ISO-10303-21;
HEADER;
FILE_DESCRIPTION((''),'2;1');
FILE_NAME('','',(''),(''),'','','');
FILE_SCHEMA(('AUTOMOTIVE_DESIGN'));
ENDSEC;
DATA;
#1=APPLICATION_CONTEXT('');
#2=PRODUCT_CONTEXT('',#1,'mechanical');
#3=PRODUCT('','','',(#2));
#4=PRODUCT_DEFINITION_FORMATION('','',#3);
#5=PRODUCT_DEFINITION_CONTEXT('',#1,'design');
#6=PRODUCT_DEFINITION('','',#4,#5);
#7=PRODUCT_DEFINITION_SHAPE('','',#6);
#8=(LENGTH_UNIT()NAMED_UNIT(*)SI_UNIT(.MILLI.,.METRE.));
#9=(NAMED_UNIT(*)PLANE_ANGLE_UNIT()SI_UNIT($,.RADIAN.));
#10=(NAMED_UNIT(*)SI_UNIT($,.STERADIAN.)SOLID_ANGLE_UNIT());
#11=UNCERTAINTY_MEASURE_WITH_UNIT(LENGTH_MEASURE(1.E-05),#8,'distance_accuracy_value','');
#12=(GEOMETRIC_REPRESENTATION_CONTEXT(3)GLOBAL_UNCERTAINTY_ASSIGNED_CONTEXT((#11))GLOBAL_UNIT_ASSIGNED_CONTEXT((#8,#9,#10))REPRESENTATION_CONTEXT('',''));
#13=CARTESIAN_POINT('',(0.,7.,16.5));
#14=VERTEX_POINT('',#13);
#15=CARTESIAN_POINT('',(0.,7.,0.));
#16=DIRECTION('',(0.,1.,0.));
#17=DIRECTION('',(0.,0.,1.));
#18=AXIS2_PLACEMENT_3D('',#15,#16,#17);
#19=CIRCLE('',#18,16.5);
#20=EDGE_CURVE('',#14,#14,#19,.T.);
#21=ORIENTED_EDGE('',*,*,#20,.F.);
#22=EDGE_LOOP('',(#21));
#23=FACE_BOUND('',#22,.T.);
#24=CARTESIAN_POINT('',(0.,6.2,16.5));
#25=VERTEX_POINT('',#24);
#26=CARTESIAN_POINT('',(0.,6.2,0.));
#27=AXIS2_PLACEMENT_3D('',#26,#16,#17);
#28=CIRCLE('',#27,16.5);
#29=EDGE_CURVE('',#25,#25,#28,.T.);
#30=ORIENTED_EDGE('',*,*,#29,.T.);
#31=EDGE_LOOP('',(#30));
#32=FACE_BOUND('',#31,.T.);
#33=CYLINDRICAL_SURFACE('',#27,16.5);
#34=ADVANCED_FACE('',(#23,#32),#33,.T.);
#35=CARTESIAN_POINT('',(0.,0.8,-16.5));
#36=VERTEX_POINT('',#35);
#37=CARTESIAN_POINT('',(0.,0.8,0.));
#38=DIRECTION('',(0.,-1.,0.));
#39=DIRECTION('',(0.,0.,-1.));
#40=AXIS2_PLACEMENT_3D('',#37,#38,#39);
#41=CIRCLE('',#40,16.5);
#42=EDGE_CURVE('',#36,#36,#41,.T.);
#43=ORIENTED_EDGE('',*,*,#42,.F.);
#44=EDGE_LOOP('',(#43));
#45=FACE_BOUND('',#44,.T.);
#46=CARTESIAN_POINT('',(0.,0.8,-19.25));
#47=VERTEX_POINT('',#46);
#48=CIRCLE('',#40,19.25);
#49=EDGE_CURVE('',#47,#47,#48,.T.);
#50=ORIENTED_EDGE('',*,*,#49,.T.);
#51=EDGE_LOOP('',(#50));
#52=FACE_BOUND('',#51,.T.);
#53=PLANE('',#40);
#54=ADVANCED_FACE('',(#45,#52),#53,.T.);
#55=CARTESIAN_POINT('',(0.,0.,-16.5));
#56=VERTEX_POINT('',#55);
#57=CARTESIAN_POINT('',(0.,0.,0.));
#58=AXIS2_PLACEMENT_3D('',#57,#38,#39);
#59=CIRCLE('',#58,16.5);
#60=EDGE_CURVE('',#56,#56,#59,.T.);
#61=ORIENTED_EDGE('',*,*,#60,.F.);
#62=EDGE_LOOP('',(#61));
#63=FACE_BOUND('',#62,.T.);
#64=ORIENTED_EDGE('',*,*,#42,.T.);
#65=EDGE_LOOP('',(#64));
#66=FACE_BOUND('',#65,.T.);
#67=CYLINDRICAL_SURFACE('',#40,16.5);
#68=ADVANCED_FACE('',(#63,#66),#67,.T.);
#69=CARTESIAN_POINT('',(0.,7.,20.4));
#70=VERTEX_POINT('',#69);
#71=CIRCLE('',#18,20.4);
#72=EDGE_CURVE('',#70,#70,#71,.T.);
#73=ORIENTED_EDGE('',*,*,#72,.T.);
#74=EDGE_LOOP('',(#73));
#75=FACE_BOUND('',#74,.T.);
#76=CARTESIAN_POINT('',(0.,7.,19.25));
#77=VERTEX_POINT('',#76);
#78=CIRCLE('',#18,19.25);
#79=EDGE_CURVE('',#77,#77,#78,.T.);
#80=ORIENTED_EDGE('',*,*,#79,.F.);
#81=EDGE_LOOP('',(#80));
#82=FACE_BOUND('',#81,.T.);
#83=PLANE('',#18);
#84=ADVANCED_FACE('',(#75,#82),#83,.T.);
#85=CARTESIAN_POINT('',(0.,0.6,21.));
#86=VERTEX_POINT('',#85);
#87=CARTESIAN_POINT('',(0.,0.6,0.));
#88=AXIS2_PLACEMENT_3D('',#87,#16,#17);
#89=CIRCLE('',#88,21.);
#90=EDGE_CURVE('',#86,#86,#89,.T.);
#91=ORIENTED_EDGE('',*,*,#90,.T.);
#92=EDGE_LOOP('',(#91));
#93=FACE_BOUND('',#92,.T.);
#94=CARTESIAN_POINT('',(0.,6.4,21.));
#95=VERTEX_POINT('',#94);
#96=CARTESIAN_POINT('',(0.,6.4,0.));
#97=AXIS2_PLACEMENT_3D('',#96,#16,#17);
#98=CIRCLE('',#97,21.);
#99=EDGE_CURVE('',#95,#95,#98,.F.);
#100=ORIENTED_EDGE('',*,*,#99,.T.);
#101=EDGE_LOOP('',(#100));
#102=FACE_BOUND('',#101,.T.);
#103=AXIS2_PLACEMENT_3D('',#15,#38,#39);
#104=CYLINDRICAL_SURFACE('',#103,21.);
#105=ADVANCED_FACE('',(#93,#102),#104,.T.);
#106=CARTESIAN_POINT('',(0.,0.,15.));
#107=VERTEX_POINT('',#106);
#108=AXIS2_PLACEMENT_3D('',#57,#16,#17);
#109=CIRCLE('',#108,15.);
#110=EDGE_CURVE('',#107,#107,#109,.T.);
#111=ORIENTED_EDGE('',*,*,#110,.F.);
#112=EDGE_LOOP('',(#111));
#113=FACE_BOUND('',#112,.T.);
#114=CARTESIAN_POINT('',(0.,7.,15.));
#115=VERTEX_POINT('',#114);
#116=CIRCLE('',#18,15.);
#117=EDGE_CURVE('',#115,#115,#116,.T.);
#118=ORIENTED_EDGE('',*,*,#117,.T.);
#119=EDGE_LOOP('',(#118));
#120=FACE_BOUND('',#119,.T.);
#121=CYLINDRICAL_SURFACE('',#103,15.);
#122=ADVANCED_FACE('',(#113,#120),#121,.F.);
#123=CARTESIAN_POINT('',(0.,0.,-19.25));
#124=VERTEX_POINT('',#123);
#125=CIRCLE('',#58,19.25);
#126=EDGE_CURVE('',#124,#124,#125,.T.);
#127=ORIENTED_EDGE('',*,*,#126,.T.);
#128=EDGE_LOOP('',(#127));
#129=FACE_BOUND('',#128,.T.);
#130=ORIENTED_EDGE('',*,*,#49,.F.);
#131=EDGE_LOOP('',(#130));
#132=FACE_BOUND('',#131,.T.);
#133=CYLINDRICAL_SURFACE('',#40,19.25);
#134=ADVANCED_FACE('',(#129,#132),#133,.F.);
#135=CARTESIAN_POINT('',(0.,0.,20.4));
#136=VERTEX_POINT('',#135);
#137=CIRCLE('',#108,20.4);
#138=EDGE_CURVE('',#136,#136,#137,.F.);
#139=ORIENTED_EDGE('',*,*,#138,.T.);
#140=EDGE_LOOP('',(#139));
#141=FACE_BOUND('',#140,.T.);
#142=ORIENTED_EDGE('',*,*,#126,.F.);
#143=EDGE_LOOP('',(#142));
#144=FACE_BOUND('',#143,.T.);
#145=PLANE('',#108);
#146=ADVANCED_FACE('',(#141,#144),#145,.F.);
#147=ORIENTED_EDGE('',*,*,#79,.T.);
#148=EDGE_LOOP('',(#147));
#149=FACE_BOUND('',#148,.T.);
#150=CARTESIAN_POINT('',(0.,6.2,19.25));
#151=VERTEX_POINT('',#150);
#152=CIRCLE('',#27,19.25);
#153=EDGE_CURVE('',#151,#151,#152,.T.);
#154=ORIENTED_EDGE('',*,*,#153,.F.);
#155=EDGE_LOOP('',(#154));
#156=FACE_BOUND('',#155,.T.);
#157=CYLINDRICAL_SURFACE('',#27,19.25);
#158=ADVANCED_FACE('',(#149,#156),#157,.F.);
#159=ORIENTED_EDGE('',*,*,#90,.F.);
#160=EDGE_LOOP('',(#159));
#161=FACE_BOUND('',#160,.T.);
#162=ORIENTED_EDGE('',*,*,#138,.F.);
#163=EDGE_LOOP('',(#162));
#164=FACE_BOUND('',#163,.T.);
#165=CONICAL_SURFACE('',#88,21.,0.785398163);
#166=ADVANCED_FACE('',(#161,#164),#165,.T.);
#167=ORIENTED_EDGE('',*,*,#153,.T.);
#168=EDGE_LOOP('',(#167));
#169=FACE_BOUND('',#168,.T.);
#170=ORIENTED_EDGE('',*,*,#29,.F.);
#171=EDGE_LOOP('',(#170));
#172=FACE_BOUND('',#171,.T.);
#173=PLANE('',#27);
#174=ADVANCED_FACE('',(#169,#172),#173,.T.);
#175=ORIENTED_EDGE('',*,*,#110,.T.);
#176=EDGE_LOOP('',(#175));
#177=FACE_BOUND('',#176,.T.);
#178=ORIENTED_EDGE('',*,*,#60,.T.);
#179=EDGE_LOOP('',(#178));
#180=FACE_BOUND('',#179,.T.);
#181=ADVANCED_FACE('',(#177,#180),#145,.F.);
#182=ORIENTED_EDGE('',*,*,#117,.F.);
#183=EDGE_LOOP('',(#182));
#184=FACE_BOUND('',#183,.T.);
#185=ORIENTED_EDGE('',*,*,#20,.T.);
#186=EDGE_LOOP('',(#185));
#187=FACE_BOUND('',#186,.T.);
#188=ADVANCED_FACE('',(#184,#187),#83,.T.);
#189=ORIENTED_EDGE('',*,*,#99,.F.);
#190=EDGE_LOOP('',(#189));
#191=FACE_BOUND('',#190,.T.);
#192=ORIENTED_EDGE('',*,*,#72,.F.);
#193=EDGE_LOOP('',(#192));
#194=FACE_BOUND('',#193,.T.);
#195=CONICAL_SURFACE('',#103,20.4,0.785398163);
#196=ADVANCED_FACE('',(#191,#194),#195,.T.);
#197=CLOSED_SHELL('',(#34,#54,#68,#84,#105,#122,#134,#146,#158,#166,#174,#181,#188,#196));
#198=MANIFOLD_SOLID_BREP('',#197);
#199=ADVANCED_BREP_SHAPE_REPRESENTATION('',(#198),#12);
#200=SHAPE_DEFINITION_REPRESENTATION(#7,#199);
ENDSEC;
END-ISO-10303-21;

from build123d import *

# Parameters (mm, degrees)
SKETCH_1_R          = 21
SKETCH_1_R_2        = 15
EXTRUDE_1_DEPTH     = 7
CHAMFER_1_SIZE      = 0.6
SKETCH_2_R          = 19.25
SKETCH_2_R_2        = 16.5
CUT_EXTRUDE_1_DEPTH = 0.8
CUT_EXTRUDE_START   = -0.8
SKETCH_3_R          = 19.25
SKETCH_3_R_2        = 16.5
CUT_EXTRUDE_3_DEPTH = 0.8


with BuildPart() as part:
    # 草图1 → 凸台-拉伸1 (new body)
    with BuildSketch(Plane(origin=(0, 0, 0), x_dir=(1, 0, 0), z_dir=(0, 1, 0))):
        with Locations(Location((0, 0, 0), (0, 0, 270))):
            Circle(SKETCH_1_R)
        with Locations(Location((0, 0, 0), (0, 0, 270))):
            Circle(SKETCH_1_R_2, mode=Mode.SUBTRACT)
    extrude(amount=EXTRUDE_1_DEPTH)

    # 倒角1
    chamfer_1_edges = [part.edges().sort_by_distance(p)[0] for p in [
        (0, 0, -21),
        (0, 7, -21),
    ]]
    chamfer(chamfer_1_edges, length=CHAMFER_1_SIZE)

    # 草图2 → 切除-拉伸1 (cut)
    with BuildSketch(Plane(origin=(0, 7, 0), x_dir=(1, 0, 0), z_dir=(0, 1, 0))):
        with Locations(Location((0, 0, 0), (0, 0, 270))):
            Circle(SKETCH_2_R)
        with Locations(Location((0, 0, 0), (0, 0, 270))):
            Circle(SKETCH_2_R_2, mode=Mode.SUBTRACT)
    extrude(amount=-CUT_EXTRUDE_1_DEPTH, mode=Mode.SUBTRACT)

    # 草图3 → 切除-拉伸3 (cut)
    with BuildSketch(Plane.XZ.offset(CUT_EXTRUDE_START)):
        with Locations(Location((0, 0, 0), (0, 0, 90))):
            Circle(SKETCH_3_R)
        with Locations(Location((0, 0, 0), (0, 0, 90))):
            Circle(SKETCH_3_R_2, mode=Mode.SUBTRACT)
    extrude(amount=CUT_EXTRUDE_3_DEPTH, mode=Mode.SUBTRACT)


solid = part.part
